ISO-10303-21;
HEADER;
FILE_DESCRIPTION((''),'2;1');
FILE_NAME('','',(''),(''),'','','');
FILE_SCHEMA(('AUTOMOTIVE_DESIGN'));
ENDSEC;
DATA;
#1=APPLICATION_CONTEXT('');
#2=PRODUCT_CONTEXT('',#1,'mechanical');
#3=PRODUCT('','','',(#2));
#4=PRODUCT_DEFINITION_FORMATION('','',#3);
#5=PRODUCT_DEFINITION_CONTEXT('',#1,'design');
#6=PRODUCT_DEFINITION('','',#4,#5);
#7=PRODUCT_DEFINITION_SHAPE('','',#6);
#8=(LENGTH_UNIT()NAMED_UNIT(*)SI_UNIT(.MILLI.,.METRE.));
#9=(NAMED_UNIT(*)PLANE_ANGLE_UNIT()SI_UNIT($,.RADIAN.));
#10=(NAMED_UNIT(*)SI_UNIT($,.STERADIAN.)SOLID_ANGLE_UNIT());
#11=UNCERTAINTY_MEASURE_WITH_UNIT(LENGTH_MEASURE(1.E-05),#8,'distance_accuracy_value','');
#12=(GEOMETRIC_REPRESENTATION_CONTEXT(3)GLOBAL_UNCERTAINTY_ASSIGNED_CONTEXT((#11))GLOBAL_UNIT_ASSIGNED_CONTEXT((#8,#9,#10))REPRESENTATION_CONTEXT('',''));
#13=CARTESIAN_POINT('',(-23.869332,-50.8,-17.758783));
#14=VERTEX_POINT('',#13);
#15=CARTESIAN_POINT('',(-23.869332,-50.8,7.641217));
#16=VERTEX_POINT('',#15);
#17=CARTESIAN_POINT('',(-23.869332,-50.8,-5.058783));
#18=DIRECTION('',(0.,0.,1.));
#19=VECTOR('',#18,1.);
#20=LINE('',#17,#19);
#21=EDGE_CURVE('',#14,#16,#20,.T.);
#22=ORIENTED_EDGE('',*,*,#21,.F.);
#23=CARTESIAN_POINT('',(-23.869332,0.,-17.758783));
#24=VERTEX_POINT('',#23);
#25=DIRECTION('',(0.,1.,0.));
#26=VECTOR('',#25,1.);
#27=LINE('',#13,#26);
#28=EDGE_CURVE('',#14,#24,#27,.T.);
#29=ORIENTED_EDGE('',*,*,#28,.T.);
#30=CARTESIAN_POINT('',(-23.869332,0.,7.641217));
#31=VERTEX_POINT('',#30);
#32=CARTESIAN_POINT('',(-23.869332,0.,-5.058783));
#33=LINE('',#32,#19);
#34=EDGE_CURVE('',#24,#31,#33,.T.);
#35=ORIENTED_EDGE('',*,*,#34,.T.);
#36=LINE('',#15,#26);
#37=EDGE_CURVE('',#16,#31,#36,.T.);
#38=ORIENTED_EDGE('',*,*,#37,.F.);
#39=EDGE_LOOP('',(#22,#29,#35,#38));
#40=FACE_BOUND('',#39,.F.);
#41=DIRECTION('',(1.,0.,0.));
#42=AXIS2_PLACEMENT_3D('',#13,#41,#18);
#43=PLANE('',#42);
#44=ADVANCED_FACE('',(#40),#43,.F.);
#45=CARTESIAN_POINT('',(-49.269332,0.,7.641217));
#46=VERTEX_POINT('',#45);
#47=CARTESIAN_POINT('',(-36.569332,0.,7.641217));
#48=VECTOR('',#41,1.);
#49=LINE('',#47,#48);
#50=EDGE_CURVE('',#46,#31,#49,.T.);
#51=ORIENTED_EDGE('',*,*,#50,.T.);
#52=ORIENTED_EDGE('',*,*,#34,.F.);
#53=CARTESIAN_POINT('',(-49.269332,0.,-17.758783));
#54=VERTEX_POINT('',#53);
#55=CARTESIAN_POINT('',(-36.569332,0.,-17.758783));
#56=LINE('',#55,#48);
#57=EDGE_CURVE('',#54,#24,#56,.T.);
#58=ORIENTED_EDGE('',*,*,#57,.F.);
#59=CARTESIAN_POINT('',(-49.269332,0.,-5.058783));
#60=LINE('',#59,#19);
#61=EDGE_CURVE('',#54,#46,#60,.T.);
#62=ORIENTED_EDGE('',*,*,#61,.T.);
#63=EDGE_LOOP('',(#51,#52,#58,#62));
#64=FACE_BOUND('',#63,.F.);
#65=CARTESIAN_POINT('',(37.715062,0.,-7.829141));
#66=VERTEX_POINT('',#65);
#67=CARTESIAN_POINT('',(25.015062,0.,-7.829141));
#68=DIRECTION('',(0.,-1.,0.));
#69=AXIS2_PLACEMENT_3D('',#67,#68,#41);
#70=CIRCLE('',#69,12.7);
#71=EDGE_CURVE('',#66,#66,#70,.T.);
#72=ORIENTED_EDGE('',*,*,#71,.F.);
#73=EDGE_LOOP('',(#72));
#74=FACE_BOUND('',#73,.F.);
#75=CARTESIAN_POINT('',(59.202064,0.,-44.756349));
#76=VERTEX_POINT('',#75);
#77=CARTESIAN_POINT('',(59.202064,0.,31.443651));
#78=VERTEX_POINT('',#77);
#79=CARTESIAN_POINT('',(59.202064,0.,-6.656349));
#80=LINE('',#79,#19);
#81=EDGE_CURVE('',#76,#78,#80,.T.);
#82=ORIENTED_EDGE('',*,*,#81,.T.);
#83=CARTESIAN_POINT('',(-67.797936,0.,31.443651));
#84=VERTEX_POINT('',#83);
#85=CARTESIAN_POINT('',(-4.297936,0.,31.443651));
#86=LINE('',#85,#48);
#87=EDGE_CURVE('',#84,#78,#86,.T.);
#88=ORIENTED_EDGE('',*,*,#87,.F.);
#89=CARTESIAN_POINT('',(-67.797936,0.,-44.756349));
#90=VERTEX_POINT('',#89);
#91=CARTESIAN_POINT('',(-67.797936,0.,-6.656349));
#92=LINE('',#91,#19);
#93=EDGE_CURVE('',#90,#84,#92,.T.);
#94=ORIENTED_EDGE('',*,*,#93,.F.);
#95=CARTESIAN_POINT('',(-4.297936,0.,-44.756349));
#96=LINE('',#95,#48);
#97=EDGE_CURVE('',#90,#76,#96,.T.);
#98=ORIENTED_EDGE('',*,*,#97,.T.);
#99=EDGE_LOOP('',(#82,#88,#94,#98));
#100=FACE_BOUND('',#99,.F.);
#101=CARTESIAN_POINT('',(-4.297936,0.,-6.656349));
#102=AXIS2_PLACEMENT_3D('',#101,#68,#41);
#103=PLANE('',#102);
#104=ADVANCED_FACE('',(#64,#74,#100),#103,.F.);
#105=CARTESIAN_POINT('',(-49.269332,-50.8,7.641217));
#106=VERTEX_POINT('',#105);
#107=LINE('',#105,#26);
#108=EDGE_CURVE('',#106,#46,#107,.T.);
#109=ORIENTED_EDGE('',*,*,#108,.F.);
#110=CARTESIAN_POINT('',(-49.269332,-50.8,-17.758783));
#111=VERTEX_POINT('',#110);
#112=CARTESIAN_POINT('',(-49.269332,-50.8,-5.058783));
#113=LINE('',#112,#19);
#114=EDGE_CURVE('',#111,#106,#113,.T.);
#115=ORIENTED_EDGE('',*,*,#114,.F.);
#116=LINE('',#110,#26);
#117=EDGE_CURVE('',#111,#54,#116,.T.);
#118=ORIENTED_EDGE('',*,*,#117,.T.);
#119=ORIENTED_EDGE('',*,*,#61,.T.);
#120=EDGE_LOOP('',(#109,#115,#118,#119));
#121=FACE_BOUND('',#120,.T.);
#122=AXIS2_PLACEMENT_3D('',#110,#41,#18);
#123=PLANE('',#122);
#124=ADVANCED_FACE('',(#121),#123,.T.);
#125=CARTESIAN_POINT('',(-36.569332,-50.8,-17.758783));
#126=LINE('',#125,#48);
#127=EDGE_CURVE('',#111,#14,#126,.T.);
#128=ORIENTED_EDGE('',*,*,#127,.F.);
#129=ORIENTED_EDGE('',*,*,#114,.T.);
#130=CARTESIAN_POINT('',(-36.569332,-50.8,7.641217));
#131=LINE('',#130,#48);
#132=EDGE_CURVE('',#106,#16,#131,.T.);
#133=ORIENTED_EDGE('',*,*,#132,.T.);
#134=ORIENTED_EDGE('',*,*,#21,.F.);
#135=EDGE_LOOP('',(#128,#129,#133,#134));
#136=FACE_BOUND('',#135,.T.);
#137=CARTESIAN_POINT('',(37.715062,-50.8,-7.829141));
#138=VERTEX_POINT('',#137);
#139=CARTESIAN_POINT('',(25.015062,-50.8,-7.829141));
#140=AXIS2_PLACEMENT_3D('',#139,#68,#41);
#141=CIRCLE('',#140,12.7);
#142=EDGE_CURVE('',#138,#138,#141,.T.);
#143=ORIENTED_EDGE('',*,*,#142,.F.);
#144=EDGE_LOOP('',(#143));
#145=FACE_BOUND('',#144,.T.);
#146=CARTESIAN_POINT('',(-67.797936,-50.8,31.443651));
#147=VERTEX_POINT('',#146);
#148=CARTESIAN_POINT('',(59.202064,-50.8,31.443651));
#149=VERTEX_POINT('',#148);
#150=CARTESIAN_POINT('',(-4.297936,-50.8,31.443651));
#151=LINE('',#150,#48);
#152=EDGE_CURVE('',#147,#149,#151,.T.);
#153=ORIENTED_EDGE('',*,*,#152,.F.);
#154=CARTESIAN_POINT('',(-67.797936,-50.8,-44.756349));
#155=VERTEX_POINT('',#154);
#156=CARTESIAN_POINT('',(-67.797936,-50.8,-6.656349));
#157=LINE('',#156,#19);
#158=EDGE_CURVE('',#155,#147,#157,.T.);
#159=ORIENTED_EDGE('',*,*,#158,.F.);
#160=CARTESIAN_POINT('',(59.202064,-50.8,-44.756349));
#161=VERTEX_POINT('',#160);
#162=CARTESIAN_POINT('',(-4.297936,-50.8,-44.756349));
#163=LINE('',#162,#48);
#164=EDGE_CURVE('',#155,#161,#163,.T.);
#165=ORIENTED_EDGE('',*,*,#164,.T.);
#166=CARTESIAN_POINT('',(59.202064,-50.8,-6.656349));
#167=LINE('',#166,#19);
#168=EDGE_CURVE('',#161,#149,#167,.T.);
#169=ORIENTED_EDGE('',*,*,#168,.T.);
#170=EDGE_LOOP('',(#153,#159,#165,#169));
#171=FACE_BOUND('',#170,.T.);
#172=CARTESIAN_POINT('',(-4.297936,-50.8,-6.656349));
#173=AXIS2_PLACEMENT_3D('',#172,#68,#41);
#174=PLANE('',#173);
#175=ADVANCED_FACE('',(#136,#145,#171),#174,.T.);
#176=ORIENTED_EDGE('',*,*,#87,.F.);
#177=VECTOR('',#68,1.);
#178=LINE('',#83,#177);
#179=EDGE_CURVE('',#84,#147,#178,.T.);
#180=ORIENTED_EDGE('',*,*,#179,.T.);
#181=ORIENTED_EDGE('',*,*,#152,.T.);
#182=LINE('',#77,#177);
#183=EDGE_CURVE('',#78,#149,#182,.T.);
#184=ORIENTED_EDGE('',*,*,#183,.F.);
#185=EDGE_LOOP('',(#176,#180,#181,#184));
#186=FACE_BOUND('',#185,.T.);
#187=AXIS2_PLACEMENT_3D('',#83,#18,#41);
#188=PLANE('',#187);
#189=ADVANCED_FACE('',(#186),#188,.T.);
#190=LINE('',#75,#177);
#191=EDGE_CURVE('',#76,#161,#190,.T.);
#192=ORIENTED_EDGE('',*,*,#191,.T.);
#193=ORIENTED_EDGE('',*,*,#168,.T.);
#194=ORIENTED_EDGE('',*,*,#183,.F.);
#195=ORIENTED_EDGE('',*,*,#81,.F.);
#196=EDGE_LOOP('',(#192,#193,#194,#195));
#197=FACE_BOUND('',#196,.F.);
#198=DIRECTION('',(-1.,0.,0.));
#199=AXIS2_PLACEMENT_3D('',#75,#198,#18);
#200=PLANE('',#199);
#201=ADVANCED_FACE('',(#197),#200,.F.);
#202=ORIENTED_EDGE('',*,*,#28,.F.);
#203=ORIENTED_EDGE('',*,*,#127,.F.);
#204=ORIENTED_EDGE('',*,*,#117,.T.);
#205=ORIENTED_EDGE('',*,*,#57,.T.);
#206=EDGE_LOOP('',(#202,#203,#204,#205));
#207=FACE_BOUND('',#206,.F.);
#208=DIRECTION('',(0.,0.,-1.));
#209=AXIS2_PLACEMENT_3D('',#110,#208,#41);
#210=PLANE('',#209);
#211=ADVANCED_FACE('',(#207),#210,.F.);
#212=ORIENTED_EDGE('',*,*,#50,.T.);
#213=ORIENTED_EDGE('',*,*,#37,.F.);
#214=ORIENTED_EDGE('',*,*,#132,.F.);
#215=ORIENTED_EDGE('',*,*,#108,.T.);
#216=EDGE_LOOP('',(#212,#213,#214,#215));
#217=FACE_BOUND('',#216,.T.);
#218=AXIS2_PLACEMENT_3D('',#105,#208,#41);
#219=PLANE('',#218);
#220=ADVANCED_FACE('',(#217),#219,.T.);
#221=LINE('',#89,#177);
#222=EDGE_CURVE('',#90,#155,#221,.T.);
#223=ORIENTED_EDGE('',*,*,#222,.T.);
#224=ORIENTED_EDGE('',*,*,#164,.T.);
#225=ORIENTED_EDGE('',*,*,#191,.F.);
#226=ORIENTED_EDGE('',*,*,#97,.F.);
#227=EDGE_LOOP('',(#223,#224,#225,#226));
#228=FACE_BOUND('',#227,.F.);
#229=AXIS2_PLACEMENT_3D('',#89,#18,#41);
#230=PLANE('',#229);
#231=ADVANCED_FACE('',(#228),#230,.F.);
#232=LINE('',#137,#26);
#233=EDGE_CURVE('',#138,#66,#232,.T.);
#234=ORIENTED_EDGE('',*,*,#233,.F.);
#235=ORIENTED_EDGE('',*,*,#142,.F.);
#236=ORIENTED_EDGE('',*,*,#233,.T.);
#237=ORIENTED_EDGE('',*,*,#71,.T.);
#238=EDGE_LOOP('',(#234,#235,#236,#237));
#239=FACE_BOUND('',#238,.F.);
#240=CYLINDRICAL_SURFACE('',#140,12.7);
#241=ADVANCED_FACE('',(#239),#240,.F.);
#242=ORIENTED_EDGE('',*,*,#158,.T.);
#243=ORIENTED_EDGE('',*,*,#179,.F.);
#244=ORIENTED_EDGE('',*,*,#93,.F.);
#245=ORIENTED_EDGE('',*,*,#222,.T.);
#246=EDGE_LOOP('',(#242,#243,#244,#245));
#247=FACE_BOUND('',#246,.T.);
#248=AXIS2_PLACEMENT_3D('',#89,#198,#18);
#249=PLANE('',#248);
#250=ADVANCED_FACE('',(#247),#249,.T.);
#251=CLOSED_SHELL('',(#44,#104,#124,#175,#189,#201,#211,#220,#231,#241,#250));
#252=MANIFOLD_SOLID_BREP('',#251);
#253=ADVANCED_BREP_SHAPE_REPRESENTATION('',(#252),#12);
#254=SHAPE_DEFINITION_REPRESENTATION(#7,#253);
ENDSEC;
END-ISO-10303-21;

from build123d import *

# Parameters (mm, degrees)
F0_W     = 127
F0_H     = 76.2
F1_DEPTH = 50.8
F2_R     = 12.7
F2_W     = 25.4
F2_H     = 25.4
F3_DEPTH = 50.8


with BuildPart() as f1:
    # F0 (on Front) → F1 (new body)
    with BuildSketch(Plane.XZ):
        with Locations((-4.297936, -6.656349)):
            Rectangle(F0_W, F0_H)
    extrude(amount=F1_DEPTH)

    # F2 (on face) → F3 (cut)
    with BuildSketch(Plane.XZ.offset(50.8)):
        with Locations((25.015062, -7.829141)):
            Circle(F2_R)
        with Locations((-36.569332, -5.058783)):
            Rectangle(F2_W, F2_H)
    extrude(amount=-F3_DEPTH, mode=Mode.SUBTRACT)


solid = f1.part
